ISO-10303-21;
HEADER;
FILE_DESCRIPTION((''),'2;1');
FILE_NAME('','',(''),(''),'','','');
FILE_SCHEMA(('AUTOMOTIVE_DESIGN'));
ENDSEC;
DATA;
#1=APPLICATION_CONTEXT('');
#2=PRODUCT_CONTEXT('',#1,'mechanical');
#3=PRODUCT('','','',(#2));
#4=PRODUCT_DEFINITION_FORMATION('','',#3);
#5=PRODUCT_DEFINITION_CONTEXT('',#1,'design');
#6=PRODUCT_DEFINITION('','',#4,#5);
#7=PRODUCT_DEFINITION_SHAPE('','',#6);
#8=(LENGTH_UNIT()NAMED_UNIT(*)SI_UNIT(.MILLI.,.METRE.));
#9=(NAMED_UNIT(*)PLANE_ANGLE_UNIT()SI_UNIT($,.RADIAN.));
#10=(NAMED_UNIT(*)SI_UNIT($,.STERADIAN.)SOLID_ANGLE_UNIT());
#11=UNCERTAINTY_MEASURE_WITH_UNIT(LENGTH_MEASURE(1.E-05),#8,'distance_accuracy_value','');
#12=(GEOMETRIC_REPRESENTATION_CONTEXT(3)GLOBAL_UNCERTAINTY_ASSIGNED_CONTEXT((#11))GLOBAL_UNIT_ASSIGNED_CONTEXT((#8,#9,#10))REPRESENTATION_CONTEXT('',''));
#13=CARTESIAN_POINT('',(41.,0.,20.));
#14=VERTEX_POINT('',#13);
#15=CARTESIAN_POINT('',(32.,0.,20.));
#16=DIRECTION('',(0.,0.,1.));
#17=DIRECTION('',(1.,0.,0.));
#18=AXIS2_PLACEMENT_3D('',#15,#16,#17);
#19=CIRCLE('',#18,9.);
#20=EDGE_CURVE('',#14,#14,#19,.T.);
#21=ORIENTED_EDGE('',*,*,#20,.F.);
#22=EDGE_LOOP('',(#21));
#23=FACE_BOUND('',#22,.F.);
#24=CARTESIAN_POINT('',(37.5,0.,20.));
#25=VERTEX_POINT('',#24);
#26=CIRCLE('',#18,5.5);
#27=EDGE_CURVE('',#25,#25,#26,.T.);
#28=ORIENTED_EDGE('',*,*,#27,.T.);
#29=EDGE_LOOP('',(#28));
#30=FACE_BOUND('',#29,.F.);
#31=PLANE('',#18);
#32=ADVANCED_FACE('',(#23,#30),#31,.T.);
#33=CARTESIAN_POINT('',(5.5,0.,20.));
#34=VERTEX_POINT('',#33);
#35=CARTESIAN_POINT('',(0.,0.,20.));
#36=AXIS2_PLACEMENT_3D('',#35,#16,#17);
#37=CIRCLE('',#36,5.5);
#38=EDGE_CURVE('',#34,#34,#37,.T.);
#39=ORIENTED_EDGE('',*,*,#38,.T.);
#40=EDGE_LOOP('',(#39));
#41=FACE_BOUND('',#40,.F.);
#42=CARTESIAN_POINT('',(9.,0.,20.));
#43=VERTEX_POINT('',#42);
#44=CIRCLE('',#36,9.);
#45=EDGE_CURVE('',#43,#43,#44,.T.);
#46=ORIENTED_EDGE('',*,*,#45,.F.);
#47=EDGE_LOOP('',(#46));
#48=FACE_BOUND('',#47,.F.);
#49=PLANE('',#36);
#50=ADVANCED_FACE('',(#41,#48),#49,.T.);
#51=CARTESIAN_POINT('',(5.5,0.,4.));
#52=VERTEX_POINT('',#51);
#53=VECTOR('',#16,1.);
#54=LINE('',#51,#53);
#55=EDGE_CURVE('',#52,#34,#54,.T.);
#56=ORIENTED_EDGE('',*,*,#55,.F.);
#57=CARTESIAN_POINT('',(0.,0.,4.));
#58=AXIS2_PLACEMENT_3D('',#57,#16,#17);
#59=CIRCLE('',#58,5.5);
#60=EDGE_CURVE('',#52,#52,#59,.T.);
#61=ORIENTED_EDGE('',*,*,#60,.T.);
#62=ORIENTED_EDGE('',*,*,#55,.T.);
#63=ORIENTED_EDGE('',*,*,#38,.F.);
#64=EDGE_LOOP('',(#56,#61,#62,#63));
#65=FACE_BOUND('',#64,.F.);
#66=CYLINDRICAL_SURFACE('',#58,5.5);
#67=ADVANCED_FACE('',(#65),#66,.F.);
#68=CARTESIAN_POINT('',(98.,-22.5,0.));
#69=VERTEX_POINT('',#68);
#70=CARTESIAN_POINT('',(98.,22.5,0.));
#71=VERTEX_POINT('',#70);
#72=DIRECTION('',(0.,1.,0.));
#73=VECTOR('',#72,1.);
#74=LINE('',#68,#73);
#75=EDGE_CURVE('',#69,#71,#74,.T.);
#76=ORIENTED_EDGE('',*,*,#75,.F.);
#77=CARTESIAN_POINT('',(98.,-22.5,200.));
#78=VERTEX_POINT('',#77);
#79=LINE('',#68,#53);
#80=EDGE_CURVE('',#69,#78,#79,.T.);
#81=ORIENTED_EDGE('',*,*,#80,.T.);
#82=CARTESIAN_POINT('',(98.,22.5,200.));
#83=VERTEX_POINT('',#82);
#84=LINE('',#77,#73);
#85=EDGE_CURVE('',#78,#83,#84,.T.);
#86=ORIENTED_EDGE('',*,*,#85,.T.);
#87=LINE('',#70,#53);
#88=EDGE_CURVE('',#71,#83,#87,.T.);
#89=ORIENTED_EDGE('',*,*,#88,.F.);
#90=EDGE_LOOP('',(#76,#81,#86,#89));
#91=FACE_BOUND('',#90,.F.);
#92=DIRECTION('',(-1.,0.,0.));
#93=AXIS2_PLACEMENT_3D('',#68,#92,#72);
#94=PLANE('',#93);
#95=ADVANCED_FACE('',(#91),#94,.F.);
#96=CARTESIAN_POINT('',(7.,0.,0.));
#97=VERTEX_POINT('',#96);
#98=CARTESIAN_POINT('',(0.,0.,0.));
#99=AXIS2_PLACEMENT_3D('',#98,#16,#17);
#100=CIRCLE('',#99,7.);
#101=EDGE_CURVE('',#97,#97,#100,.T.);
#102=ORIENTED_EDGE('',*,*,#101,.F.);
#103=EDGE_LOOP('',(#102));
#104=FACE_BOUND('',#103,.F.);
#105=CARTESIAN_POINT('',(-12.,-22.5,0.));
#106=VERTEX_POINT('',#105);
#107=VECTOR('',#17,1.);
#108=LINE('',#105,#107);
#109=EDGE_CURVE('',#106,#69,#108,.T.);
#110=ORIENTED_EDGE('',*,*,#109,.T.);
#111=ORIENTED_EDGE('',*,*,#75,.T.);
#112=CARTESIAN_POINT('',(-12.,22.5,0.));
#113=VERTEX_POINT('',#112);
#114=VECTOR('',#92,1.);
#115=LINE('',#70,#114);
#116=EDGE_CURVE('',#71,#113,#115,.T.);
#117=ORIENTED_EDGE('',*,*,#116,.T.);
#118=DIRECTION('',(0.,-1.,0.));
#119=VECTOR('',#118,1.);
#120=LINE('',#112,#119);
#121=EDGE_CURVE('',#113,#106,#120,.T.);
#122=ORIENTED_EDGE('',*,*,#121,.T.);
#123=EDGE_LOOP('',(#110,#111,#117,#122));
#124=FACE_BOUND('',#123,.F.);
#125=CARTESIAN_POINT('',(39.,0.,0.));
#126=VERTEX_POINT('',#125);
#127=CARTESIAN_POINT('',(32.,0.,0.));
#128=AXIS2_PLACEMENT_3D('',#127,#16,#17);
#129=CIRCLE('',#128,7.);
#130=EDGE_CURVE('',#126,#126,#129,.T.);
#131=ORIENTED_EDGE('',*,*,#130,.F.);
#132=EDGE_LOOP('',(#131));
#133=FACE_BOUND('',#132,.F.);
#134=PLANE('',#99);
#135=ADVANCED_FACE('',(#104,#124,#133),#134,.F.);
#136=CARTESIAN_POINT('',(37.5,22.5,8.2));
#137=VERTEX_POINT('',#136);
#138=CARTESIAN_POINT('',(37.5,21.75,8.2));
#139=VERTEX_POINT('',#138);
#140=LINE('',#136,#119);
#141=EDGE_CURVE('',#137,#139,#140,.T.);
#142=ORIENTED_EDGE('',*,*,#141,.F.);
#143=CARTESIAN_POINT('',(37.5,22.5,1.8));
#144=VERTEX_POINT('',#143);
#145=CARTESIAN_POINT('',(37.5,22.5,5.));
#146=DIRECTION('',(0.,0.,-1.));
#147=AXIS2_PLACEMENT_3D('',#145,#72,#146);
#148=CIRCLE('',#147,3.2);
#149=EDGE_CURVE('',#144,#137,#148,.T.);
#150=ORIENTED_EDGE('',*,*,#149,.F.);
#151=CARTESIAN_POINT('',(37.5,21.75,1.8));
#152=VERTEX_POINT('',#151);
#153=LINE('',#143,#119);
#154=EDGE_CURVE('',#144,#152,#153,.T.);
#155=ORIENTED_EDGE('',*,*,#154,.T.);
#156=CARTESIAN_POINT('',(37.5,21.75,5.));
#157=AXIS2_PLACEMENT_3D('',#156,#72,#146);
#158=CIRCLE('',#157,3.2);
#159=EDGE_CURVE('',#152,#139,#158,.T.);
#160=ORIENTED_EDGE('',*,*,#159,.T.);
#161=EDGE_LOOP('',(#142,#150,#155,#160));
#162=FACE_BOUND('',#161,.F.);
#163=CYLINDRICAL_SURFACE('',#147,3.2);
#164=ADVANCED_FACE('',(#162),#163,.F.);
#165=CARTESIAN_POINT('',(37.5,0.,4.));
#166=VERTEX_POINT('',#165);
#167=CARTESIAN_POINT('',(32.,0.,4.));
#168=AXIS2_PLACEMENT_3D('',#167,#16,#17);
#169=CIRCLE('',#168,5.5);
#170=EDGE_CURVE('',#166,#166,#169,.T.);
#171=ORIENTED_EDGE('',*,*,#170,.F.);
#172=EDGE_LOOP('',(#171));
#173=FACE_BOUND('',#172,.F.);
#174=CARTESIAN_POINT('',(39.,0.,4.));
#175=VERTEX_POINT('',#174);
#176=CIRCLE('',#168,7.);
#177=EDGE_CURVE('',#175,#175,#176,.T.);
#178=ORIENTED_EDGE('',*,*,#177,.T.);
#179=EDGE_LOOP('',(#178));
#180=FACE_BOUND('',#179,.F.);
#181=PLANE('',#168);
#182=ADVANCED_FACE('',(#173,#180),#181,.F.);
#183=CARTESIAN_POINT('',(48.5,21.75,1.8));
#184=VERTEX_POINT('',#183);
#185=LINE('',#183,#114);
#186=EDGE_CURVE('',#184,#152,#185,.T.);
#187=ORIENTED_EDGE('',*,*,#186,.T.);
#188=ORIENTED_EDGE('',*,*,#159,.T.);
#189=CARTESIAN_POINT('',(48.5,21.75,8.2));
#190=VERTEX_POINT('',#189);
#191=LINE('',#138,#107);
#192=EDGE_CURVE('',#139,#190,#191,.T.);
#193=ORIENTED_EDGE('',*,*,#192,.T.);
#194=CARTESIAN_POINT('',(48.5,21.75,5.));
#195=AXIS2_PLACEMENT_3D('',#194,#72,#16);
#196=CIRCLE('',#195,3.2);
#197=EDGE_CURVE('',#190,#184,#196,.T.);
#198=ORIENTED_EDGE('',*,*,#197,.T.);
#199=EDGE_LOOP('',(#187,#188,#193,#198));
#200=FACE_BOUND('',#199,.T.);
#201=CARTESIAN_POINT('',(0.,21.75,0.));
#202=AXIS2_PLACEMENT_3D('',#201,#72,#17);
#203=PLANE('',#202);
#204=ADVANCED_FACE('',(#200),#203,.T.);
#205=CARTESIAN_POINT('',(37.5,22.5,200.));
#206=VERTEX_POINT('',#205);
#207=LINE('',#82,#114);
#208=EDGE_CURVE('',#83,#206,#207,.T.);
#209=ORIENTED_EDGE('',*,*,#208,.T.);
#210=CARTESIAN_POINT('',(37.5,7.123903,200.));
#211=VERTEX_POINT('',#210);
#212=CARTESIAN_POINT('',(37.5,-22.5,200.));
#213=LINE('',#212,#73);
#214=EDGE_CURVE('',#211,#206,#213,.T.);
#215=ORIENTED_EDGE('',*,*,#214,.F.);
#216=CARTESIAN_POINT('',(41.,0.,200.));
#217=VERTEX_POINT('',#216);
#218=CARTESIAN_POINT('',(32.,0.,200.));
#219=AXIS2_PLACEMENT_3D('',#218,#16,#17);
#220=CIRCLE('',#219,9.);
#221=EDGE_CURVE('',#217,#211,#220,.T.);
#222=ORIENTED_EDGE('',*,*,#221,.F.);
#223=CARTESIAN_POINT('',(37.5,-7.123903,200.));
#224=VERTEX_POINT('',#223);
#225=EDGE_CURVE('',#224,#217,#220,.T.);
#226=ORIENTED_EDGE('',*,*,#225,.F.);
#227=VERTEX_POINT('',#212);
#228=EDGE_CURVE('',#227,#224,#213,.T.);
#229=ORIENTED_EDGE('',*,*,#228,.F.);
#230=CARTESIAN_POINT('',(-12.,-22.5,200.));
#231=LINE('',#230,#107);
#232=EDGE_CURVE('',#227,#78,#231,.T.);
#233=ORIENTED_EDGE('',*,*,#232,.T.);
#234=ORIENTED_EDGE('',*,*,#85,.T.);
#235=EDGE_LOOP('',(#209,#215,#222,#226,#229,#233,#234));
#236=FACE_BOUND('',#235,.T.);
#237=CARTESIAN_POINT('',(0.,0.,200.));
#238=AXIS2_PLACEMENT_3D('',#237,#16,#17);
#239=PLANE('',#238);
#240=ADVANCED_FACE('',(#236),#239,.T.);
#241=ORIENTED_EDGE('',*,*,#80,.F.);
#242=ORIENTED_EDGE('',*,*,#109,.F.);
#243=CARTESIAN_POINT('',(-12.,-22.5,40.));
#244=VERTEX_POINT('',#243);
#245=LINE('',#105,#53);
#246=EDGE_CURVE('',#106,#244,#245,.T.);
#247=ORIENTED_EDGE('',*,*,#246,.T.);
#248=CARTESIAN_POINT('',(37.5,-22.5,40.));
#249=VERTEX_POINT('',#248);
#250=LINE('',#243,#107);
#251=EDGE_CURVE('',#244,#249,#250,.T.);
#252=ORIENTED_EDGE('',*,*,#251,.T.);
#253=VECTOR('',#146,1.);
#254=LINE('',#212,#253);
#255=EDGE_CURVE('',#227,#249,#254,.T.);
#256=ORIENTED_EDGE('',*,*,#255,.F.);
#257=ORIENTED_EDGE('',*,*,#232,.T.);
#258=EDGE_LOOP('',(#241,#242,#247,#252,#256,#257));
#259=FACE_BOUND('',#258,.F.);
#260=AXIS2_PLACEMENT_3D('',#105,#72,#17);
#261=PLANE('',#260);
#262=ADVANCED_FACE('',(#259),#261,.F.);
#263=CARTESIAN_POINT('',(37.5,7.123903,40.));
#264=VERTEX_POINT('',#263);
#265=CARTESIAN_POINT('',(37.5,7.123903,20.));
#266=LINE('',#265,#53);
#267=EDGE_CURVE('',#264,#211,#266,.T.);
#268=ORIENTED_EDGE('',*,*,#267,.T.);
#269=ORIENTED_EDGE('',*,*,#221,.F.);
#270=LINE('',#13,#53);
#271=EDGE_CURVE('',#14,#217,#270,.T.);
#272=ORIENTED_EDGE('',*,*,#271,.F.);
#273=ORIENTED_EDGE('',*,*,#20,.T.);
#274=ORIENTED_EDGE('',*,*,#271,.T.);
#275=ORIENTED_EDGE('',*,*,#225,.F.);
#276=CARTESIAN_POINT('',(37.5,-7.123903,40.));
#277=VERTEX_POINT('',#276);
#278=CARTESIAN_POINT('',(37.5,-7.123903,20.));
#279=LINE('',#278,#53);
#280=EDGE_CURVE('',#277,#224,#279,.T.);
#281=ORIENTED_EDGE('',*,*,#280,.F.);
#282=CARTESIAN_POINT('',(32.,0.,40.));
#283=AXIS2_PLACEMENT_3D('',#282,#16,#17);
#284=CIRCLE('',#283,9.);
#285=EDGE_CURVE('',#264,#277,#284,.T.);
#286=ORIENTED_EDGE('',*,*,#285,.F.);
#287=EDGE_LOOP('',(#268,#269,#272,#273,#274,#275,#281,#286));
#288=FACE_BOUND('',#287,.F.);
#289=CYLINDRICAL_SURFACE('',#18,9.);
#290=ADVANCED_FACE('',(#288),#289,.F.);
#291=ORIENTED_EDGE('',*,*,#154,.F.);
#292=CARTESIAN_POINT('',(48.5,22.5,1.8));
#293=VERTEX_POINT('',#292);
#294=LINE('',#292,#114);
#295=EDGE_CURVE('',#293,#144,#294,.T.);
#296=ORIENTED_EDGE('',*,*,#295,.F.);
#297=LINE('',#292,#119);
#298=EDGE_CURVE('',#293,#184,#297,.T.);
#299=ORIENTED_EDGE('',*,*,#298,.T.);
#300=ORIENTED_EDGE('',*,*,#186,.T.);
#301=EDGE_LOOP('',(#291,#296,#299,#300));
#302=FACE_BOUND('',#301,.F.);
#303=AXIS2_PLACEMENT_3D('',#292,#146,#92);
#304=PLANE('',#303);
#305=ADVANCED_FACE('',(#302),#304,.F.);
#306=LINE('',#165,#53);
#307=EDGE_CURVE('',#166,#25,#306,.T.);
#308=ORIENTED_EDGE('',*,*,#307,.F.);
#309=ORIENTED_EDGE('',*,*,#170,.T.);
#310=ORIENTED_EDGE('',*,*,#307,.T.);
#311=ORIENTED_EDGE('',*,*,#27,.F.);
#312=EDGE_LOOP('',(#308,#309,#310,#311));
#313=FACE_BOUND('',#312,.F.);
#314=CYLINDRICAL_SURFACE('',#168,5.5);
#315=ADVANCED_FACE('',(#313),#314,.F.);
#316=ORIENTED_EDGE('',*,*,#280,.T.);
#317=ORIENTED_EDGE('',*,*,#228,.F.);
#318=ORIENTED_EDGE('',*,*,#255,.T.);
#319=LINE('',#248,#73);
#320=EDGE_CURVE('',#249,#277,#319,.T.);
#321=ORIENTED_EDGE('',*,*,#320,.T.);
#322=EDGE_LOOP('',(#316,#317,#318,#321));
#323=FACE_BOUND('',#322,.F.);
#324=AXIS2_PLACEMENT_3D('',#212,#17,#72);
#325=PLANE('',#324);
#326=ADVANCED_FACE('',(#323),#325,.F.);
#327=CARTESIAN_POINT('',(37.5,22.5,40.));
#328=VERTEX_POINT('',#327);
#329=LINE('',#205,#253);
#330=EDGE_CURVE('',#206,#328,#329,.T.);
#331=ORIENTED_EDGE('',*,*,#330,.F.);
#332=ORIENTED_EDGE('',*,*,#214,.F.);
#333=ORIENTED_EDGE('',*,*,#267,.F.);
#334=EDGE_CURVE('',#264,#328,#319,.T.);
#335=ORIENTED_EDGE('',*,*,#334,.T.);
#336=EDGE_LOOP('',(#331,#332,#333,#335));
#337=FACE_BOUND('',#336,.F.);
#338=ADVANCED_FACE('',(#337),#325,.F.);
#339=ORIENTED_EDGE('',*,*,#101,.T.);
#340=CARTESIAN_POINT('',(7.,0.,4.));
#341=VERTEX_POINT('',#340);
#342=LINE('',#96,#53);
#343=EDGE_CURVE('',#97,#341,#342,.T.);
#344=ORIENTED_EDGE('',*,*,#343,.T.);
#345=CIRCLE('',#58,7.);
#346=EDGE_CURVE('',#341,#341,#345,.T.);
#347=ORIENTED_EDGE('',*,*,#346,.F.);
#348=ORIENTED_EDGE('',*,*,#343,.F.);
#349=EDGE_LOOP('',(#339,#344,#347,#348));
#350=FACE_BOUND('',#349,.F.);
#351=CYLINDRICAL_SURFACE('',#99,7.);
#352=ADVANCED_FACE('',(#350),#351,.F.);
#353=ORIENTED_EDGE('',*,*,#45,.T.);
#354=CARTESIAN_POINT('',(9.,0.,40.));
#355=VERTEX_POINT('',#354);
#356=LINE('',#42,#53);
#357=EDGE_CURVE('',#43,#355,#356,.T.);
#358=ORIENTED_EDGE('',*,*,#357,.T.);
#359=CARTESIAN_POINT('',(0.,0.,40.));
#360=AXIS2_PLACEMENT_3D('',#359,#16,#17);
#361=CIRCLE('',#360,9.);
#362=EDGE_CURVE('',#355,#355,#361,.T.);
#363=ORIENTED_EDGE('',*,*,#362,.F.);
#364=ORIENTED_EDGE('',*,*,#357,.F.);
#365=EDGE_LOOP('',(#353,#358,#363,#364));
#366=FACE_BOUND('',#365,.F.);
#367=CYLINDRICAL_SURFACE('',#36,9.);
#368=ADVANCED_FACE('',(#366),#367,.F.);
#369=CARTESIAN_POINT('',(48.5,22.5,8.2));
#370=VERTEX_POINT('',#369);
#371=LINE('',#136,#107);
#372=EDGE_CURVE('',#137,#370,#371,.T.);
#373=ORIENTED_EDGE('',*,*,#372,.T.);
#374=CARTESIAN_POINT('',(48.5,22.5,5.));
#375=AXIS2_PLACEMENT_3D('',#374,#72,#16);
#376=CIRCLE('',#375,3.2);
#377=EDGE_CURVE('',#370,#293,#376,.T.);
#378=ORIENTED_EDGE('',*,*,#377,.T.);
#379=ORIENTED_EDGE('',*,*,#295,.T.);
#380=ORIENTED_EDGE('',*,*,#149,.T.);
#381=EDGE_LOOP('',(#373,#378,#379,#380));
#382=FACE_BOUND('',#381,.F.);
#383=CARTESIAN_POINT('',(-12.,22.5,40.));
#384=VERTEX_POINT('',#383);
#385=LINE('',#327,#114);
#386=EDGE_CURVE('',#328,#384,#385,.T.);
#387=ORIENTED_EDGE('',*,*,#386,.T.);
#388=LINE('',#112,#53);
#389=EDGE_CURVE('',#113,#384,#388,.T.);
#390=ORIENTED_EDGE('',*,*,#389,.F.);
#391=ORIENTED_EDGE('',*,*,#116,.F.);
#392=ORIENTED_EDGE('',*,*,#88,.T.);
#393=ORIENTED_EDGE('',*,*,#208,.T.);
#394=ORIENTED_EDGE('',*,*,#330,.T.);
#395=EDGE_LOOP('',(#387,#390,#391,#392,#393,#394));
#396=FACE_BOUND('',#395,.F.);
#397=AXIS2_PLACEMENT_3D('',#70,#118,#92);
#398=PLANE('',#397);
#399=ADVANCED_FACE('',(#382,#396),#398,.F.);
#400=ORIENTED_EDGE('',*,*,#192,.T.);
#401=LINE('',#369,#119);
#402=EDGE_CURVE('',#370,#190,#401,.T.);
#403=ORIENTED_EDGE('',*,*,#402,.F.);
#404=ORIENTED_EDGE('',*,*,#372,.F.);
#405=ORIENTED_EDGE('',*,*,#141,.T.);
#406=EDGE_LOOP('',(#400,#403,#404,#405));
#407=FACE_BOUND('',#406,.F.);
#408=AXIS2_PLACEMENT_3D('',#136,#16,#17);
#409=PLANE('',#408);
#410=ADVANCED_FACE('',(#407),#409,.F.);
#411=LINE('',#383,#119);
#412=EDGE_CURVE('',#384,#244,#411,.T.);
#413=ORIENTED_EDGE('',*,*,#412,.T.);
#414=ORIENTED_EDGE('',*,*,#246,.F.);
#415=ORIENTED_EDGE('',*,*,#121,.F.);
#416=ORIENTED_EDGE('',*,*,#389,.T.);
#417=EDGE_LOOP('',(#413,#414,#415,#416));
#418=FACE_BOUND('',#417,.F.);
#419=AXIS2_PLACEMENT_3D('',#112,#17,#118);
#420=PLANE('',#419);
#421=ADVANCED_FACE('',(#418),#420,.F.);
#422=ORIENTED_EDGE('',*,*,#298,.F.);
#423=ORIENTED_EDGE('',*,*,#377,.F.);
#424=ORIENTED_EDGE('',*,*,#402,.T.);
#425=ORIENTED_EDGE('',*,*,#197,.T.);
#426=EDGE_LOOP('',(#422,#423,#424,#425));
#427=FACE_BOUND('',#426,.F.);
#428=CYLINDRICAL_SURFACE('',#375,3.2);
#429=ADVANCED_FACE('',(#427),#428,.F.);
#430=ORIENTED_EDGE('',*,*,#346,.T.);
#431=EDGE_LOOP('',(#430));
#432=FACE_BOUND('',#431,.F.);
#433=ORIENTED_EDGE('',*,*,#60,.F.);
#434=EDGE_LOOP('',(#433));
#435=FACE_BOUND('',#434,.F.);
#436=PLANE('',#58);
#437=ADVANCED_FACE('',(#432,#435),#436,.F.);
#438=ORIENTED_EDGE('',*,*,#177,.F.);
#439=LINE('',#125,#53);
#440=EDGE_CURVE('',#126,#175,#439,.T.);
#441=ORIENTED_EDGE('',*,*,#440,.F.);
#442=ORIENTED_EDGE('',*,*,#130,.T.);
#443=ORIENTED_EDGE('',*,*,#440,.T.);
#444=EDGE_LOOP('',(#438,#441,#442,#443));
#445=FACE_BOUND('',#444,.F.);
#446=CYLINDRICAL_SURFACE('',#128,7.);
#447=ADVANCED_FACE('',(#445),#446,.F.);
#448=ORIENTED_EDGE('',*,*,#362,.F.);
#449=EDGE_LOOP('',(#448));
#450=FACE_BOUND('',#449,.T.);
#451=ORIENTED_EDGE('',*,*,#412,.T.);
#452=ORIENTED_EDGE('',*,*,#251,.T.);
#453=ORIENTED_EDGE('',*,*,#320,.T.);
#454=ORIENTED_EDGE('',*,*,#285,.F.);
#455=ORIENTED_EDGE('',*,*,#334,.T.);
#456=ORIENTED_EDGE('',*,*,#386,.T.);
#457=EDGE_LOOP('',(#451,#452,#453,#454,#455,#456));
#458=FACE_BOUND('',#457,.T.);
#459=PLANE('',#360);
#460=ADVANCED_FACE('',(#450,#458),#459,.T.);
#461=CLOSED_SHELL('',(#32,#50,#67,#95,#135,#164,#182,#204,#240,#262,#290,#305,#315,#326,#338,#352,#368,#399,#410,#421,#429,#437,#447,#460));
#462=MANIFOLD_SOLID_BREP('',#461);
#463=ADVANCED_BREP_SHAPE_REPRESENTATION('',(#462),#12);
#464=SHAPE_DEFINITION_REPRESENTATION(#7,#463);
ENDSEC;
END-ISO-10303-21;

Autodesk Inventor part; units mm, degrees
sketch "Sketch_1" plane through (0, 0, 0) normal (0, 0, 1) x (1, 0, 0)
  line L0 (-12, -22.5) -> (98, -22.5)
  line L1 (98, -22.5) -> (98, 22.5)
  line L2 (98, 22.5) -> (-12, 22.5)
  line L3 (-12, 22.5) -> (-12, -22.5)
extrude "Extrusion1" add sketch "Sketch_1" along normal blind 200
sketch "Sketch_2" plane through (0, 0, 0) normal (0, 1, 0) x (-1, 0, 0)
  line L0 (0, 200) -> (0, 0)
  line L1 (0, 0) -> (-7, 0)
  line L2 (-7, 0) -> (-7, 4)
  line L3 (-7, 4) -> (-5.5, 4)
  line L4 (-5.5, 4) -> (-5.5, 20)
  line L5 (-5.5, 20) -> (-9, 20)
  line L6 (-9, 20) -> (-9, 200)
  line L7 (-9, 200) -> (0, 200)
  line L8 (0, 200) -> (0, 0)
revolve "Revolution1" cut sketch "Sketch_2" angle 360 about axis through (0, 0, 200) along (0, 0, 1)
pattern_linear "Rectangular Pattern1" count 2 spacing 32 along (1, 0, 0) of "Revolution1"
sketch "Sketch_8" plane through (0, 0, 200) normal (0, 0, 1) x (1, 0, 0)
  line L0 (-12, -22.5) -> (37.5, -22.5)
  line L1 (37.5, -22.5) -> (37.5, 22.5)
  line L2 (37.5, 22.5) -> (-12, 22.5)
  line L3 (-12, 22.5) -> (-12, -22.5)
extrude "Extrusion2" cut sketch "Sketch_8" against normal blind 160
sketch "Sketch_17" plane through (0, 22.5, 0) normal (0, 1, 0) x (1, 0, 0)
  arc A0 (37.5, -1.8) -> (37.5, -8.2) centre (37.5, -5) ccw
  line L0 (37.5, -8.2) -> (48.5, -8.2)
  arc A1 (48.5, -8.2) -> (48.5, -1.8) centre (48.5, -5) ccw
  line L1 (48.5, -1.8) -> (37.5, -1.8)
extrude "Extrusion3" cut sketch "Sketch_17" against normal blind 0.75
ref_plane "BEF_2_XY" through (32, 0, 0) normal (0, 0, 1) x (1, 0, 0)
ref_plane "BEF_2_YZ" through (32, 0, 0) normal (1, 0, 0) x (0, 1, 0)
ref_plane "BEF_2_ZX" through (32, 0, 0) normal (0, 1, 0) x (0, 0, 1)
ref_plane "IP_ALU_XY" through (43, 21.75, 5) normal (0, -1, 0) x (1, 0, 0)
ref_plane "IP_ALU_YZ" through (43, 21.75, 5) normal (1, 0, 0) x (0, 0, 1)
ref_plane "IP_ALU_ZX" through (43, 21.75, 5) normal (0, 0, 1) x (0, -1, 0)
ref_plane "IP_ALU_3_7_XY" through (44, 21.75, 5) normal (0, -1, 0) x (1, 0, 0)
ref_plane "IP_ALU_3_7_YZ" through (44, 21.75, 5) normal (1, 0, 0) x (0, 0, 1)
ref_plane "IP_ALU_3_7_ZX" through (44, 21.75, 5) normal (0, 0, 1) x (0, -1, 0)
ref_plane "IP_ALU_5_XY" through (44, 21.75, 5) normal (0, -1, 0) x (1, 0, 0)
ref_plane "IP_ALU_5_YZ" through (44, 21.75, 5) normal (1, 0, 0) x (0, 0, 1)
ref_plane "IP_ALU_5_ZX" through (44, 21.75, 5) normal (0, 0, 1) x (0, -1, 0)
ref_plane "IP_GR_XY" through (0, 0, 0) normal (0, 0, 1) x (1, 0, 0)
ref_plane "IP_GR_YZ" through (0, 0, 0) normal (1, 0, 0) x (0, 1, 0)
ref_plane "IP_GR_ZX" through (0, 0, 0) normal (0, 1, 0) x (0, 0, 1)
ref_plane "IP_SCH_1_XY" through (0, 0, 20) normal (0, 0, 1) x (1, 0, 0)
ref_plane "IP_SCH_1_YZ" through (0, 0, 20) normal (1, 0, 0) x (0, 1, 0)
ref_plane "IP_SCH_1_ZX" through (0, 0, 20) normal (0, 1, 0) x (0, 0, 1)
ref_plane "IP_SCH_2_XY" through (32, 0, 20) normal (0, 0, 1) x (1, 0, 0)
ref_plane "IP_SCH_2_YZ" through (32, 0, 20) normal (1, 0, 0) x (0, 1, 0)
ref_plane "IP_SCH_2_ZX" through (32, 0, 20) normal (0, 1, 0) x (0, 0, 1)
properties part number "FGR AL-2-PGN-plus-P 160,PGN-plus-P 160-2-AS-P81110452001216049.51650000000000000000Aluminium6.5"
